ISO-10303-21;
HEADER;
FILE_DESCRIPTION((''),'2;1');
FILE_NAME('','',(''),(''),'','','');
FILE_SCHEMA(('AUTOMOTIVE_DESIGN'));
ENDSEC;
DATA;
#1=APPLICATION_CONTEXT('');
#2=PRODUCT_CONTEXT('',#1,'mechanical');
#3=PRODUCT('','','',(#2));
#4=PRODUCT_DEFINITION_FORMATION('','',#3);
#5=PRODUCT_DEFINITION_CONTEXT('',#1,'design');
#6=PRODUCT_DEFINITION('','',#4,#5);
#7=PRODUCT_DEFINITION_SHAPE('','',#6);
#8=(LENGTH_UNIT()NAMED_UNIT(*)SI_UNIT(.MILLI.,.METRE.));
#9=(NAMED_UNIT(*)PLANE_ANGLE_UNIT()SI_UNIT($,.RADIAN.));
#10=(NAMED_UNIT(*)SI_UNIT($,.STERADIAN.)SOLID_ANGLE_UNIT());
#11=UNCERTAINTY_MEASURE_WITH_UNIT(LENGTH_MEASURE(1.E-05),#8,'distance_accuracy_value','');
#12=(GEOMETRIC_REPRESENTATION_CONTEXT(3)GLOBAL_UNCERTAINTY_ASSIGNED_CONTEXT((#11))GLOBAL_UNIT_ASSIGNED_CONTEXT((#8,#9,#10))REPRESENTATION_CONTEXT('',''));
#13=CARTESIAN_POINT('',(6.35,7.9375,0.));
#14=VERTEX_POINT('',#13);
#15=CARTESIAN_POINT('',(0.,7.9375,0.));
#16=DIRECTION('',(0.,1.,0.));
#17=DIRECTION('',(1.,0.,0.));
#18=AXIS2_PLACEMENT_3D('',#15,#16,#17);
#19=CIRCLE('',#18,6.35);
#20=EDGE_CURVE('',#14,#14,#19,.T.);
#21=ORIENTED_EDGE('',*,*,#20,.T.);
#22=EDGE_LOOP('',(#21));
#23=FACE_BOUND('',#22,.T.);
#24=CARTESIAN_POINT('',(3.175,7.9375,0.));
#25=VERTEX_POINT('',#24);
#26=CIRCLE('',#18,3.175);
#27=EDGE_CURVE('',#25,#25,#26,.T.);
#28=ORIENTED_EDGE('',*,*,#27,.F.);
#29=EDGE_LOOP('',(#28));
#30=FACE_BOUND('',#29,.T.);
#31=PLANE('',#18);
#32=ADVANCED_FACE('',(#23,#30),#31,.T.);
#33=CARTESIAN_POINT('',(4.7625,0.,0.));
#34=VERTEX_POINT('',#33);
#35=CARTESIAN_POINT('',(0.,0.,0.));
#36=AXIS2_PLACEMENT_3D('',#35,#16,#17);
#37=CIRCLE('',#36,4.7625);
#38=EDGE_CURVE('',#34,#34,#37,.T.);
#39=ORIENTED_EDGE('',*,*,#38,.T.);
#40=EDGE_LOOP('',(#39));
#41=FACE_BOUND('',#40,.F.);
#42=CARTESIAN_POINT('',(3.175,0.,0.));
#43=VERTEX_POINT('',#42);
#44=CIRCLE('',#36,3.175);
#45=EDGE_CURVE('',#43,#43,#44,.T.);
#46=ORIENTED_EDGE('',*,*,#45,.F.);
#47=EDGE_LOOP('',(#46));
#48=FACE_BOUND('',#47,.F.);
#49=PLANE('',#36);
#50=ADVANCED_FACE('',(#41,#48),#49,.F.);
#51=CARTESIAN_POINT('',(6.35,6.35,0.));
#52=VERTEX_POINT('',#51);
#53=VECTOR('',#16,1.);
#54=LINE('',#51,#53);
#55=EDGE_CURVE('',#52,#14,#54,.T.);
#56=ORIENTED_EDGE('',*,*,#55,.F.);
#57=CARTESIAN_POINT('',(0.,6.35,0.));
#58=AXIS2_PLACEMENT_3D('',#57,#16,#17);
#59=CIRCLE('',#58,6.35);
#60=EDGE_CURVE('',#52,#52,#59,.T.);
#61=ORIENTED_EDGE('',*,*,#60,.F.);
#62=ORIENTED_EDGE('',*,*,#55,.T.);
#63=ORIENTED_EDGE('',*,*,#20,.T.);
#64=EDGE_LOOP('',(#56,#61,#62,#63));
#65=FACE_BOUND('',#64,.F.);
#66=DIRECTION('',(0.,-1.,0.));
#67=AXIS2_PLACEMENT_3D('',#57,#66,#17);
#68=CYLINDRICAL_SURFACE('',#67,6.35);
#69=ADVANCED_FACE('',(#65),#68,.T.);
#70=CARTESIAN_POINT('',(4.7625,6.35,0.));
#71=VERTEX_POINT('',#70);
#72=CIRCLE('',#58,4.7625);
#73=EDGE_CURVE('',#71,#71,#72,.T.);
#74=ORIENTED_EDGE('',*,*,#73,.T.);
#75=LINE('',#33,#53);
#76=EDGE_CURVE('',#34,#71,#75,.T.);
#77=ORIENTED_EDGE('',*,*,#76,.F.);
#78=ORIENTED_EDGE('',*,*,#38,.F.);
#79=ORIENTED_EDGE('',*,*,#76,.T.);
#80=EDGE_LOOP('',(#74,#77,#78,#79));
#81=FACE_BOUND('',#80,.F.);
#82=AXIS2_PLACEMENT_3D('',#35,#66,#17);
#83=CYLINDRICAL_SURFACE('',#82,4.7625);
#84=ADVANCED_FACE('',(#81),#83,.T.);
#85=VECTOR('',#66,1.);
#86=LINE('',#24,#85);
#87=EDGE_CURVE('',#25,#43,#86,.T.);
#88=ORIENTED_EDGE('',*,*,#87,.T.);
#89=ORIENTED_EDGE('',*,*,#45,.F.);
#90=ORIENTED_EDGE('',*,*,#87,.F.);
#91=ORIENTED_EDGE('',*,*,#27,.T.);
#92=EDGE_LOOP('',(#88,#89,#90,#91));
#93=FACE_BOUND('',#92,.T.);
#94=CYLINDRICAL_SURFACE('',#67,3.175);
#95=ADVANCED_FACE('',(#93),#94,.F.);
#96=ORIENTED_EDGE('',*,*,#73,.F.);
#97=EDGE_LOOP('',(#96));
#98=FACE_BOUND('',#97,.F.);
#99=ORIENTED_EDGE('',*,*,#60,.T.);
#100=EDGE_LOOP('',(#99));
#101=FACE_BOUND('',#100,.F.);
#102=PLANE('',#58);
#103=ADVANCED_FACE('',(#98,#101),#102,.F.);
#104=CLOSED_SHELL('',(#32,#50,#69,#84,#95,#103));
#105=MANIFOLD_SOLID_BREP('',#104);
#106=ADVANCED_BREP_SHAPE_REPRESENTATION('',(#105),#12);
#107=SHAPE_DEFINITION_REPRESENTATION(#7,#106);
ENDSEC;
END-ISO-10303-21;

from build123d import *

# Parameters (mm, degrees)
SKETCH1_R           = 4.7625
SKETCH1_R_2         = 3.175
BOSS_EXTRUDE1_DEPTH = 6.35
SKETCH2_R           = 6.35
SKETCH2_R_2         = 3.175
BOSS_EXTRUDE2_DEPTH = 1.5875


with BuildPart() as part:
    # Sketch1 → Boss-Extrude1 (new body)
    with BuildSketch(Plane(origin=(0, 0, 0), x_dir=(1, 0, 0), z_dir=(0, 1, 0))):
        Circle(SKETCH1_R)
        Circle(SKETCH1_R_2, mode=Mode.SUBTRACT)
    extrude(amount=BOSS_EXTRUDE1_DEPTH)

    # Sketch2 → Boss-Extrude2 (add)
    with BuildSketch(Plane(origin=(0, 6.35, 0), x_dir=(1, 0, 0), z_dir=(0, 1, 0))):
        Circle(SKETCH2_R)
        Circle(SKETCH2_R_2, mode=Mode.SUBTRACT)
    extrude(amount=BOSS_EXTRUDE2_DEPTH)


solid = part.part
